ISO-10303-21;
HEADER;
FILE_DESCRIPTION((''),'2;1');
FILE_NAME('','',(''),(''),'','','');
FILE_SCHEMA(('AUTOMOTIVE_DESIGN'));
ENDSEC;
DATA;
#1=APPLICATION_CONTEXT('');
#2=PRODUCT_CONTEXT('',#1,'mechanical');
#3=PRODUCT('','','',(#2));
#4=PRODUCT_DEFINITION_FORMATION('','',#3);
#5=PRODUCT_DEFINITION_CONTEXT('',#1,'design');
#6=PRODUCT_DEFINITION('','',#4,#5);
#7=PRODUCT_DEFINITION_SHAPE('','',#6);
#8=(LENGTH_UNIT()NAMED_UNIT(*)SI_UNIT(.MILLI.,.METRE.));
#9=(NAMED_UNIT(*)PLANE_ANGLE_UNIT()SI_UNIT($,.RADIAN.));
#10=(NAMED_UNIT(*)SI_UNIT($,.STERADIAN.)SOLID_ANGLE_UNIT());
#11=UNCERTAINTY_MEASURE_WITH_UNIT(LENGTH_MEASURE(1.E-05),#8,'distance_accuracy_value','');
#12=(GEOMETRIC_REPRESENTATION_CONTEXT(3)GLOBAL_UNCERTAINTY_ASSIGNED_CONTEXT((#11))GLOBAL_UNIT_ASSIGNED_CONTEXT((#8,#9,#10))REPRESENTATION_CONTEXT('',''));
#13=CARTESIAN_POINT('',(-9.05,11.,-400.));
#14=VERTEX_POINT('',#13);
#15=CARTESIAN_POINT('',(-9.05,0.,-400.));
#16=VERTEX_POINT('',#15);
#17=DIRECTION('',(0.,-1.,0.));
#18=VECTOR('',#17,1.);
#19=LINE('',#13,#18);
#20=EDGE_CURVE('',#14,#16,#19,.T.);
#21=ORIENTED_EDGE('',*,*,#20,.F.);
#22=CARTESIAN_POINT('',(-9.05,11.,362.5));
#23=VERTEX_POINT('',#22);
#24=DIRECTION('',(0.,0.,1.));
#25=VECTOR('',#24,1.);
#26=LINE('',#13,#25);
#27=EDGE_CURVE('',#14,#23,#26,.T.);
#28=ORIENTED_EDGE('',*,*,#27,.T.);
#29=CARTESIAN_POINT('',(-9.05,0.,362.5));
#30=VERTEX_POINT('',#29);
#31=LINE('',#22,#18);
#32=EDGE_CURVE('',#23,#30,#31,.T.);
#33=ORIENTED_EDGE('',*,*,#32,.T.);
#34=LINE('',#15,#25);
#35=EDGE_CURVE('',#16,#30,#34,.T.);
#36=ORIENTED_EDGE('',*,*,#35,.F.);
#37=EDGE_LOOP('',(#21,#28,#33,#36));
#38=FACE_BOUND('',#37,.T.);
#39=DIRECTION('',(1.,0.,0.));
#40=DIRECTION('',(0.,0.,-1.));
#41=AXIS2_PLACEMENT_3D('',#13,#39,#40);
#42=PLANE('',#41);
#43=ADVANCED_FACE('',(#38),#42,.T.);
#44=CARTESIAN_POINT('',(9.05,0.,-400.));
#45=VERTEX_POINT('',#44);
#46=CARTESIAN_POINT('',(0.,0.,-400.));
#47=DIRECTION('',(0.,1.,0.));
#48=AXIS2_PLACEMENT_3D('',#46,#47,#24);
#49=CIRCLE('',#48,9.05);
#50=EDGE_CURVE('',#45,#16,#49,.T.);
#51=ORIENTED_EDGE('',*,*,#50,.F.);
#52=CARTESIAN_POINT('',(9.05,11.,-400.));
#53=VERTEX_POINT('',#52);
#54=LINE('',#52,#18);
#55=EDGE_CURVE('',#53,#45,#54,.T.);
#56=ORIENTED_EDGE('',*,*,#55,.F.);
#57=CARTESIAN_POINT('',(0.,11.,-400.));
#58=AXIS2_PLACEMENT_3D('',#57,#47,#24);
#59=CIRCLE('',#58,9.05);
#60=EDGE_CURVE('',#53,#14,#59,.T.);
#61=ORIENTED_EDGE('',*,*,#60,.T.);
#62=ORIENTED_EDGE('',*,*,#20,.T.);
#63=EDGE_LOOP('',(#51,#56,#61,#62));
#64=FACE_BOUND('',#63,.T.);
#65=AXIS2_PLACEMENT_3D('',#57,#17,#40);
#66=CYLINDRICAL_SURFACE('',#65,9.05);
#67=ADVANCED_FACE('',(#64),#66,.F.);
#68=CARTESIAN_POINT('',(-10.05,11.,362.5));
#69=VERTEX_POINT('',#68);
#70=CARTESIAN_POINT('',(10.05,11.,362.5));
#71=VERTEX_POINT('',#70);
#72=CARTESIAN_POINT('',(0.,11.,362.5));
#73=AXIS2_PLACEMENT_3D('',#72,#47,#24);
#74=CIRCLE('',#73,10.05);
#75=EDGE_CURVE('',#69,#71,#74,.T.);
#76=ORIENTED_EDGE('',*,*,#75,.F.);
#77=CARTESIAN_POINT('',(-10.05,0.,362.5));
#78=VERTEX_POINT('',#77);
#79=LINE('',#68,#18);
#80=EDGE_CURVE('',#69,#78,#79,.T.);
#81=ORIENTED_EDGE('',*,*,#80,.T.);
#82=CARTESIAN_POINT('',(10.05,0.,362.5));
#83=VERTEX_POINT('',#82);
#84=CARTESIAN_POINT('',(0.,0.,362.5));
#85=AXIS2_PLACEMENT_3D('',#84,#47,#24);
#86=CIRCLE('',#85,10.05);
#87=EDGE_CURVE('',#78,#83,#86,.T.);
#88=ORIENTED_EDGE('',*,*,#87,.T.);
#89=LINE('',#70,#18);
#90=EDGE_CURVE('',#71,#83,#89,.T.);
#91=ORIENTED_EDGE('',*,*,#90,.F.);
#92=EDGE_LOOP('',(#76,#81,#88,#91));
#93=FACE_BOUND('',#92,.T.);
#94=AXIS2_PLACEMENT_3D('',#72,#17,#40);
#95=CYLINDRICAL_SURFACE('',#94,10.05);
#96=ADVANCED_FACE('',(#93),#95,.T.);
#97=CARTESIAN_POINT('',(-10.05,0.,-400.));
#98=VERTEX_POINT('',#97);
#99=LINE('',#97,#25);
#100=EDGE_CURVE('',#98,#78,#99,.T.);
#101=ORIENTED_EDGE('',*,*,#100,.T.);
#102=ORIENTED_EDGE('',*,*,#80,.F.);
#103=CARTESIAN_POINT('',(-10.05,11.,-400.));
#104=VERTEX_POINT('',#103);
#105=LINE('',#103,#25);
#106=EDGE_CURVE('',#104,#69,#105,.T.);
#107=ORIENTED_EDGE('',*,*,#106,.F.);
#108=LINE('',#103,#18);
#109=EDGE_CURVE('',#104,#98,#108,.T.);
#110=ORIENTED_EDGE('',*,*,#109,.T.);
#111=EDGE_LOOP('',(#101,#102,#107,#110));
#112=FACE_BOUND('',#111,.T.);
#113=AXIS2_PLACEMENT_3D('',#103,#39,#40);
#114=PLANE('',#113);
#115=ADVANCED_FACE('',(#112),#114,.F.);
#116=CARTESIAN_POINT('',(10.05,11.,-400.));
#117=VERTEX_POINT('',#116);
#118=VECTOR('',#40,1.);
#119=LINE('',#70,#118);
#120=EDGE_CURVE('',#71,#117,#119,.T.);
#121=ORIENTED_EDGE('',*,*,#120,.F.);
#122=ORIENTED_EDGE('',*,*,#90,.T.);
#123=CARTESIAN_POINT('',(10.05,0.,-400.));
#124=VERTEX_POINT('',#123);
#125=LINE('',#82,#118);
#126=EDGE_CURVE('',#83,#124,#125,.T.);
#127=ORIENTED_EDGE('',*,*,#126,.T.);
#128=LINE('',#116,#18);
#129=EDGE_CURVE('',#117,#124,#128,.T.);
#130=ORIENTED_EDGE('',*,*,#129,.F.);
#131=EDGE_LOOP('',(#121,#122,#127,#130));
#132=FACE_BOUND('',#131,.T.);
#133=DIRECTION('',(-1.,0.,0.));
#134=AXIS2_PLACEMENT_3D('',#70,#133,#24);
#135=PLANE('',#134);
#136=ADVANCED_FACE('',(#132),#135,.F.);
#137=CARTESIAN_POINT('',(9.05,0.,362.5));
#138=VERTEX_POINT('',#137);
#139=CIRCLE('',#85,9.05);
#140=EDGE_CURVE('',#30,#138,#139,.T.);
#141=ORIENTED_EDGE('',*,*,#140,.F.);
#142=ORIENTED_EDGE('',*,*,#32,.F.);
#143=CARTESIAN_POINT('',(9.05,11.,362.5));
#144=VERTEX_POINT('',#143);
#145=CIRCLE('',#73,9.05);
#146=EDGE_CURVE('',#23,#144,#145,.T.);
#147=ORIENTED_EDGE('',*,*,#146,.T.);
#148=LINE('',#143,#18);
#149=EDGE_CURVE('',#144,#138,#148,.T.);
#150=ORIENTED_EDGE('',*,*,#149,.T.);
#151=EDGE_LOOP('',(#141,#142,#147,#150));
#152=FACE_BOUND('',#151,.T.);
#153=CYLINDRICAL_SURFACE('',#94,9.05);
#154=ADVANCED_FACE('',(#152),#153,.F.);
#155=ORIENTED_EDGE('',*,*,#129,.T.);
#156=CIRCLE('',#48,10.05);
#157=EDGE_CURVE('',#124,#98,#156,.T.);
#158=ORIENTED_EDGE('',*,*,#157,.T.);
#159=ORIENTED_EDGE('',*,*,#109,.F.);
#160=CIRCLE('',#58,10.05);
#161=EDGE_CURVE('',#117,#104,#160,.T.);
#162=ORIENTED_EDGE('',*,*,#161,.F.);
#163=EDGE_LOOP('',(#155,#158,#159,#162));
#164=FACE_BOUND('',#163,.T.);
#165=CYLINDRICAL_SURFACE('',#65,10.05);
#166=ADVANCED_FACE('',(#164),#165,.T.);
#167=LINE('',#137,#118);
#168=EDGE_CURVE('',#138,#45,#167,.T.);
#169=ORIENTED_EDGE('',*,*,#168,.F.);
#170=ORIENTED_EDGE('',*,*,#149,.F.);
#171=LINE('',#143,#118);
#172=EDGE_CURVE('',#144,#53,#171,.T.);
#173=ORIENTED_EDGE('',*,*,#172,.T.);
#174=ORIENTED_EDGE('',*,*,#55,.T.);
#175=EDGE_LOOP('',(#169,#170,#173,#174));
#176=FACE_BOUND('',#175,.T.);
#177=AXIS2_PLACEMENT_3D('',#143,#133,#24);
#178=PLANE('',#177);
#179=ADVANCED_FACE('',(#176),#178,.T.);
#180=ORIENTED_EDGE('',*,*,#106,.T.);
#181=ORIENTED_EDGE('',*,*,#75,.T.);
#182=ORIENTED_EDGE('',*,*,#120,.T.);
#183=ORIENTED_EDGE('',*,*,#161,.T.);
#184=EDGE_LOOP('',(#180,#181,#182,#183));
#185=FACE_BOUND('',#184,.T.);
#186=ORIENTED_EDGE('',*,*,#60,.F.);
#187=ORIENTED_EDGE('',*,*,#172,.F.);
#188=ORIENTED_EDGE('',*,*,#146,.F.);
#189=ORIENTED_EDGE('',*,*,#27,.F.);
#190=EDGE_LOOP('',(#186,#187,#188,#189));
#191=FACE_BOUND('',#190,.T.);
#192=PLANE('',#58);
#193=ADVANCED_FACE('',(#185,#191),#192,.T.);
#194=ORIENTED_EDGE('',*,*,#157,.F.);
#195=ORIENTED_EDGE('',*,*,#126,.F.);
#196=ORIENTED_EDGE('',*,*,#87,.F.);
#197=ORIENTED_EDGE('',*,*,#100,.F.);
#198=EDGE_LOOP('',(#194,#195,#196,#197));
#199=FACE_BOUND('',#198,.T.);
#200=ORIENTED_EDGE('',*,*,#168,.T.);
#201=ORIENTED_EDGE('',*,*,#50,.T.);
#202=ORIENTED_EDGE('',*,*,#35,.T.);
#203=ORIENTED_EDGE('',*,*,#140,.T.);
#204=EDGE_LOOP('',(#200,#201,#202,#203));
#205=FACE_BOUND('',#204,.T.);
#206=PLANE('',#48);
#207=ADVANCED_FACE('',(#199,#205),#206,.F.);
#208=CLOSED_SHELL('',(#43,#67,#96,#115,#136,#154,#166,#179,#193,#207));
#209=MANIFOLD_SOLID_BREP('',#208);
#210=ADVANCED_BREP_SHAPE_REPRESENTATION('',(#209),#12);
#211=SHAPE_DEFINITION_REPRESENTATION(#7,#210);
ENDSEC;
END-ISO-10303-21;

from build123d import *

# Parameters (mm, degrees)
BOSS_EXTRUDE1_DEPTH = 11


with BuildPart() as part:
    # Sketch1 → Boss-Extrude1 (new body)
    with BuildSketch(Plane(origin=(0, 0, 0), x_dir=(1, 0, 0), z_dir=(0, 1, 0))):
        with BuildLine():
            Line((-10.05, 400), (-10.05, -362.5))
            ThreePointArc((-10.05, -362.5), (0, -372.55), (10.05, -362.5))
            Line((10.05, -362.5), (10.05, 400))
            ThreePointArc((10.05, 400), (0, 410.05), (-10.05, 400))
        make_face()
        with BuildLine():
            Line((-9.05, 400), (-9.05, -362.5))
            ThreePointArc((-9.05, -362.5), (0, -371.55), (9.05, -362.5))
            Line((9.05, -362.5), (9.05, 400))
            ThreePointArc((9.05, 400), (0, 409.05), (-9.05, 400))
        make_face(mode=Mode.SUBTRACT)
    extrude(amount=BOSS_EXTRUDE1_DEPTH)


solid = part.part
